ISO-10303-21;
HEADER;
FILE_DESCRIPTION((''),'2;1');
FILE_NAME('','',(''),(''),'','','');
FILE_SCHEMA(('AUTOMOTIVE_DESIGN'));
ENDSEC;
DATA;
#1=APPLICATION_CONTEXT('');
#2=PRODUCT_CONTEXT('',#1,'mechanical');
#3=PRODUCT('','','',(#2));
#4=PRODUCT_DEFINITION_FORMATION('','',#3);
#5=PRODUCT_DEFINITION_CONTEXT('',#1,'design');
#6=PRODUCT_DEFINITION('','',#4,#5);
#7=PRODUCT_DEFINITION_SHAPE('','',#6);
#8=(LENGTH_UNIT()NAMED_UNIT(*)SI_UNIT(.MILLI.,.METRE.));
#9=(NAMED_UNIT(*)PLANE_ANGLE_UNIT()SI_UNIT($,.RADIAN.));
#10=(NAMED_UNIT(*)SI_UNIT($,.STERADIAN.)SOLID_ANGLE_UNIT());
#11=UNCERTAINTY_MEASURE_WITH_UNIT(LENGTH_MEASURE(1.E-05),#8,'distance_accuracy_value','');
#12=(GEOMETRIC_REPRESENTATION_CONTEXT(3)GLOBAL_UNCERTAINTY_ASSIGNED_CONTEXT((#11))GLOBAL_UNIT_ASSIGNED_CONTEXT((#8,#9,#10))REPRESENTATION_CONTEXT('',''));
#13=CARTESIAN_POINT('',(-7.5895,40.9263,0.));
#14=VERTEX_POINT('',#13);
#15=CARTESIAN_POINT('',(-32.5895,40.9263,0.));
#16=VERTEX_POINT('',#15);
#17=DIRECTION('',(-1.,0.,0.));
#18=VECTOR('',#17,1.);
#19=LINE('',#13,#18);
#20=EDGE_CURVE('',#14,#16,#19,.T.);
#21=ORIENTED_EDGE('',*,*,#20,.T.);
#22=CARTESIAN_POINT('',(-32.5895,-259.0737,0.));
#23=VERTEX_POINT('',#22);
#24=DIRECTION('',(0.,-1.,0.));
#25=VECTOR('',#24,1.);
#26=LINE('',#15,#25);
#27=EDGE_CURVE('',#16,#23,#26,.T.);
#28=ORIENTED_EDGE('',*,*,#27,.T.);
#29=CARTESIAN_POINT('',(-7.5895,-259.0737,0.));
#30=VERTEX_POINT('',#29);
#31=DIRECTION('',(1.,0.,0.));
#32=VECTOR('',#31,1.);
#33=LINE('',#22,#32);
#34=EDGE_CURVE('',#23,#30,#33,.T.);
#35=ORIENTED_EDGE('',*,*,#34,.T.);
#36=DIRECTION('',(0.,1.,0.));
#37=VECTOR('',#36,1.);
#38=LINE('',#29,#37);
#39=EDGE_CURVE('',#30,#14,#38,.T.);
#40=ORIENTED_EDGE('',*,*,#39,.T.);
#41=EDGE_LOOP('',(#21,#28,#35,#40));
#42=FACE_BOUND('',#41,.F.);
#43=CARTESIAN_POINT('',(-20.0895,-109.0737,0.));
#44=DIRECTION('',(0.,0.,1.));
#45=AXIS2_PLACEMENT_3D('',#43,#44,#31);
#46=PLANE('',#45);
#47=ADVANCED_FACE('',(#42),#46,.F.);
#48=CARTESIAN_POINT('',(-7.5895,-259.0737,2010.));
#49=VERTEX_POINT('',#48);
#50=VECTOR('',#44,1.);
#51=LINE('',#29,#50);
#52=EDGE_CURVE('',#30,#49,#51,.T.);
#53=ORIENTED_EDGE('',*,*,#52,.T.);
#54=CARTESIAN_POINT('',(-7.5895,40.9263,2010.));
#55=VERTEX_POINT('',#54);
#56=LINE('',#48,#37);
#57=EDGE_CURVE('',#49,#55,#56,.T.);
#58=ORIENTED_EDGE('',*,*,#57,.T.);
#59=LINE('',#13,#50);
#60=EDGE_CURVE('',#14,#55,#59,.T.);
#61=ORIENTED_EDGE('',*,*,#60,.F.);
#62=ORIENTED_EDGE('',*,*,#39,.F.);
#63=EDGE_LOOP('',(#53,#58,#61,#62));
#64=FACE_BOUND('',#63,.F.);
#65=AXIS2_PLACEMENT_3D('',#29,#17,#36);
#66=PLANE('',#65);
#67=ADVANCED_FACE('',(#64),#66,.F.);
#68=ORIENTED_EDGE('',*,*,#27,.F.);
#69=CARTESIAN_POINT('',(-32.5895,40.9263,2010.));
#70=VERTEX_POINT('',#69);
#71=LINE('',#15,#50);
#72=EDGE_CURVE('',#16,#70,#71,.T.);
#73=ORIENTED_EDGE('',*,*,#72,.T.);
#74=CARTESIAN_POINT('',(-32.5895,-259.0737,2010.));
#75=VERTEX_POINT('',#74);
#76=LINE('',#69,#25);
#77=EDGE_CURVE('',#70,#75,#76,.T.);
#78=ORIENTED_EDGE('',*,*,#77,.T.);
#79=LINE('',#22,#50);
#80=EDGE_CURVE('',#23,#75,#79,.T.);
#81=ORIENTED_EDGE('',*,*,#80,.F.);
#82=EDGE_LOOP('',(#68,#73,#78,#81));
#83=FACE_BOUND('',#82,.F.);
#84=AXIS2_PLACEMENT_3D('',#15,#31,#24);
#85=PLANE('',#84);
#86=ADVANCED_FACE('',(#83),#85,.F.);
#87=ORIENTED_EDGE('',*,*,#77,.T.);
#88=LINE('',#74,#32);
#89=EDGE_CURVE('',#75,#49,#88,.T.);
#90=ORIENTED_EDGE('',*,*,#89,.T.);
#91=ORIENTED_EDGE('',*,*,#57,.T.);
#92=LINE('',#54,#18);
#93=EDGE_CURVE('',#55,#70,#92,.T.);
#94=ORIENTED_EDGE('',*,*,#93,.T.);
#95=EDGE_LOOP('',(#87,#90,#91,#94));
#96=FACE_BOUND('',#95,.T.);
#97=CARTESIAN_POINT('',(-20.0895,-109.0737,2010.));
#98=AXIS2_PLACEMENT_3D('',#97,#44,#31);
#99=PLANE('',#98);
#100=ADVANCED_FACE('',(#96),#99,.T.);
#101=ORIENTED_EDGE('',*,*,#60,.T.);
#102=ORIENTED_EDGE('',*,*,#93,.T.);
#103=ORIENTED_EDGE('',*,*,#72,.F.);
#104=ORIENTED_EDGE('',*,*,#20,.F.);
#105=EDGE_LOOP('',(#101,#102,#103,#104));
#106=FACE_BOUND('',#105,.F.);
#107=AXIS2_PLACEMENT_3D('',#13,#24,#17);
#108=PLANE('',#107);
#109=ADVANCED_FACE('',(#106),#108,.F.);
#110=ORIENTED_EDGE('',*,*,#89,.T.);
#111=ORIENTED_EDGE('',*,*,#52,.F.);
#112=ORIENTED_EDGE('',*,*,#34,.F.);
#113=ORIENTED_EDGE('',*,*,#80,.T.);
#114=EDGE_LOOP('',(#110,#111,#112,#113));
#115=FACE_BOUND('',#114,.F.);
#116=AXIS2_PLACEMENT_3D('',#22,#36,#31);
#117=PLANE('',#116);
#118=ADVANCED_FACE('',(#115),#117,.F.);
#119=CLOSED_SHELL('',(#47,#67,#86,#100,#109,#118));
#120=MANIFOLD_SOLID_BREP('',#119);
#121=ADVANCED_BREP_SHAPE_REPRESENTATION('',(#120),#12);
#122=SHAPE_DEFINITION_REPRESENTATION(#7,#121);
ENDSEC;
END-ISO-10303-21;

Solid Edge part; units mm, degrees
sketch "Sketch1" plane through (0, 0, 0) normal (0, 0, 1) x (1, 0, 0)
  line L0 (-32.5895, -259.0737) -> (-7.5895, -259.0737)
  line L1 (-7.5895, -259.0737) -> (-7.5895, 40.9263)
  line L2 (-7.5895, 40.9263) -> (-32.5895, 40.9263)
  line L3 (-32.5895, 40.9263) -> (-32.5895, -259.0737)
  dimension "D1" = 25
  dimension "D2" = 300
extrude "Protrusion1" add sketch "Sketch1" along normal blind 2010
